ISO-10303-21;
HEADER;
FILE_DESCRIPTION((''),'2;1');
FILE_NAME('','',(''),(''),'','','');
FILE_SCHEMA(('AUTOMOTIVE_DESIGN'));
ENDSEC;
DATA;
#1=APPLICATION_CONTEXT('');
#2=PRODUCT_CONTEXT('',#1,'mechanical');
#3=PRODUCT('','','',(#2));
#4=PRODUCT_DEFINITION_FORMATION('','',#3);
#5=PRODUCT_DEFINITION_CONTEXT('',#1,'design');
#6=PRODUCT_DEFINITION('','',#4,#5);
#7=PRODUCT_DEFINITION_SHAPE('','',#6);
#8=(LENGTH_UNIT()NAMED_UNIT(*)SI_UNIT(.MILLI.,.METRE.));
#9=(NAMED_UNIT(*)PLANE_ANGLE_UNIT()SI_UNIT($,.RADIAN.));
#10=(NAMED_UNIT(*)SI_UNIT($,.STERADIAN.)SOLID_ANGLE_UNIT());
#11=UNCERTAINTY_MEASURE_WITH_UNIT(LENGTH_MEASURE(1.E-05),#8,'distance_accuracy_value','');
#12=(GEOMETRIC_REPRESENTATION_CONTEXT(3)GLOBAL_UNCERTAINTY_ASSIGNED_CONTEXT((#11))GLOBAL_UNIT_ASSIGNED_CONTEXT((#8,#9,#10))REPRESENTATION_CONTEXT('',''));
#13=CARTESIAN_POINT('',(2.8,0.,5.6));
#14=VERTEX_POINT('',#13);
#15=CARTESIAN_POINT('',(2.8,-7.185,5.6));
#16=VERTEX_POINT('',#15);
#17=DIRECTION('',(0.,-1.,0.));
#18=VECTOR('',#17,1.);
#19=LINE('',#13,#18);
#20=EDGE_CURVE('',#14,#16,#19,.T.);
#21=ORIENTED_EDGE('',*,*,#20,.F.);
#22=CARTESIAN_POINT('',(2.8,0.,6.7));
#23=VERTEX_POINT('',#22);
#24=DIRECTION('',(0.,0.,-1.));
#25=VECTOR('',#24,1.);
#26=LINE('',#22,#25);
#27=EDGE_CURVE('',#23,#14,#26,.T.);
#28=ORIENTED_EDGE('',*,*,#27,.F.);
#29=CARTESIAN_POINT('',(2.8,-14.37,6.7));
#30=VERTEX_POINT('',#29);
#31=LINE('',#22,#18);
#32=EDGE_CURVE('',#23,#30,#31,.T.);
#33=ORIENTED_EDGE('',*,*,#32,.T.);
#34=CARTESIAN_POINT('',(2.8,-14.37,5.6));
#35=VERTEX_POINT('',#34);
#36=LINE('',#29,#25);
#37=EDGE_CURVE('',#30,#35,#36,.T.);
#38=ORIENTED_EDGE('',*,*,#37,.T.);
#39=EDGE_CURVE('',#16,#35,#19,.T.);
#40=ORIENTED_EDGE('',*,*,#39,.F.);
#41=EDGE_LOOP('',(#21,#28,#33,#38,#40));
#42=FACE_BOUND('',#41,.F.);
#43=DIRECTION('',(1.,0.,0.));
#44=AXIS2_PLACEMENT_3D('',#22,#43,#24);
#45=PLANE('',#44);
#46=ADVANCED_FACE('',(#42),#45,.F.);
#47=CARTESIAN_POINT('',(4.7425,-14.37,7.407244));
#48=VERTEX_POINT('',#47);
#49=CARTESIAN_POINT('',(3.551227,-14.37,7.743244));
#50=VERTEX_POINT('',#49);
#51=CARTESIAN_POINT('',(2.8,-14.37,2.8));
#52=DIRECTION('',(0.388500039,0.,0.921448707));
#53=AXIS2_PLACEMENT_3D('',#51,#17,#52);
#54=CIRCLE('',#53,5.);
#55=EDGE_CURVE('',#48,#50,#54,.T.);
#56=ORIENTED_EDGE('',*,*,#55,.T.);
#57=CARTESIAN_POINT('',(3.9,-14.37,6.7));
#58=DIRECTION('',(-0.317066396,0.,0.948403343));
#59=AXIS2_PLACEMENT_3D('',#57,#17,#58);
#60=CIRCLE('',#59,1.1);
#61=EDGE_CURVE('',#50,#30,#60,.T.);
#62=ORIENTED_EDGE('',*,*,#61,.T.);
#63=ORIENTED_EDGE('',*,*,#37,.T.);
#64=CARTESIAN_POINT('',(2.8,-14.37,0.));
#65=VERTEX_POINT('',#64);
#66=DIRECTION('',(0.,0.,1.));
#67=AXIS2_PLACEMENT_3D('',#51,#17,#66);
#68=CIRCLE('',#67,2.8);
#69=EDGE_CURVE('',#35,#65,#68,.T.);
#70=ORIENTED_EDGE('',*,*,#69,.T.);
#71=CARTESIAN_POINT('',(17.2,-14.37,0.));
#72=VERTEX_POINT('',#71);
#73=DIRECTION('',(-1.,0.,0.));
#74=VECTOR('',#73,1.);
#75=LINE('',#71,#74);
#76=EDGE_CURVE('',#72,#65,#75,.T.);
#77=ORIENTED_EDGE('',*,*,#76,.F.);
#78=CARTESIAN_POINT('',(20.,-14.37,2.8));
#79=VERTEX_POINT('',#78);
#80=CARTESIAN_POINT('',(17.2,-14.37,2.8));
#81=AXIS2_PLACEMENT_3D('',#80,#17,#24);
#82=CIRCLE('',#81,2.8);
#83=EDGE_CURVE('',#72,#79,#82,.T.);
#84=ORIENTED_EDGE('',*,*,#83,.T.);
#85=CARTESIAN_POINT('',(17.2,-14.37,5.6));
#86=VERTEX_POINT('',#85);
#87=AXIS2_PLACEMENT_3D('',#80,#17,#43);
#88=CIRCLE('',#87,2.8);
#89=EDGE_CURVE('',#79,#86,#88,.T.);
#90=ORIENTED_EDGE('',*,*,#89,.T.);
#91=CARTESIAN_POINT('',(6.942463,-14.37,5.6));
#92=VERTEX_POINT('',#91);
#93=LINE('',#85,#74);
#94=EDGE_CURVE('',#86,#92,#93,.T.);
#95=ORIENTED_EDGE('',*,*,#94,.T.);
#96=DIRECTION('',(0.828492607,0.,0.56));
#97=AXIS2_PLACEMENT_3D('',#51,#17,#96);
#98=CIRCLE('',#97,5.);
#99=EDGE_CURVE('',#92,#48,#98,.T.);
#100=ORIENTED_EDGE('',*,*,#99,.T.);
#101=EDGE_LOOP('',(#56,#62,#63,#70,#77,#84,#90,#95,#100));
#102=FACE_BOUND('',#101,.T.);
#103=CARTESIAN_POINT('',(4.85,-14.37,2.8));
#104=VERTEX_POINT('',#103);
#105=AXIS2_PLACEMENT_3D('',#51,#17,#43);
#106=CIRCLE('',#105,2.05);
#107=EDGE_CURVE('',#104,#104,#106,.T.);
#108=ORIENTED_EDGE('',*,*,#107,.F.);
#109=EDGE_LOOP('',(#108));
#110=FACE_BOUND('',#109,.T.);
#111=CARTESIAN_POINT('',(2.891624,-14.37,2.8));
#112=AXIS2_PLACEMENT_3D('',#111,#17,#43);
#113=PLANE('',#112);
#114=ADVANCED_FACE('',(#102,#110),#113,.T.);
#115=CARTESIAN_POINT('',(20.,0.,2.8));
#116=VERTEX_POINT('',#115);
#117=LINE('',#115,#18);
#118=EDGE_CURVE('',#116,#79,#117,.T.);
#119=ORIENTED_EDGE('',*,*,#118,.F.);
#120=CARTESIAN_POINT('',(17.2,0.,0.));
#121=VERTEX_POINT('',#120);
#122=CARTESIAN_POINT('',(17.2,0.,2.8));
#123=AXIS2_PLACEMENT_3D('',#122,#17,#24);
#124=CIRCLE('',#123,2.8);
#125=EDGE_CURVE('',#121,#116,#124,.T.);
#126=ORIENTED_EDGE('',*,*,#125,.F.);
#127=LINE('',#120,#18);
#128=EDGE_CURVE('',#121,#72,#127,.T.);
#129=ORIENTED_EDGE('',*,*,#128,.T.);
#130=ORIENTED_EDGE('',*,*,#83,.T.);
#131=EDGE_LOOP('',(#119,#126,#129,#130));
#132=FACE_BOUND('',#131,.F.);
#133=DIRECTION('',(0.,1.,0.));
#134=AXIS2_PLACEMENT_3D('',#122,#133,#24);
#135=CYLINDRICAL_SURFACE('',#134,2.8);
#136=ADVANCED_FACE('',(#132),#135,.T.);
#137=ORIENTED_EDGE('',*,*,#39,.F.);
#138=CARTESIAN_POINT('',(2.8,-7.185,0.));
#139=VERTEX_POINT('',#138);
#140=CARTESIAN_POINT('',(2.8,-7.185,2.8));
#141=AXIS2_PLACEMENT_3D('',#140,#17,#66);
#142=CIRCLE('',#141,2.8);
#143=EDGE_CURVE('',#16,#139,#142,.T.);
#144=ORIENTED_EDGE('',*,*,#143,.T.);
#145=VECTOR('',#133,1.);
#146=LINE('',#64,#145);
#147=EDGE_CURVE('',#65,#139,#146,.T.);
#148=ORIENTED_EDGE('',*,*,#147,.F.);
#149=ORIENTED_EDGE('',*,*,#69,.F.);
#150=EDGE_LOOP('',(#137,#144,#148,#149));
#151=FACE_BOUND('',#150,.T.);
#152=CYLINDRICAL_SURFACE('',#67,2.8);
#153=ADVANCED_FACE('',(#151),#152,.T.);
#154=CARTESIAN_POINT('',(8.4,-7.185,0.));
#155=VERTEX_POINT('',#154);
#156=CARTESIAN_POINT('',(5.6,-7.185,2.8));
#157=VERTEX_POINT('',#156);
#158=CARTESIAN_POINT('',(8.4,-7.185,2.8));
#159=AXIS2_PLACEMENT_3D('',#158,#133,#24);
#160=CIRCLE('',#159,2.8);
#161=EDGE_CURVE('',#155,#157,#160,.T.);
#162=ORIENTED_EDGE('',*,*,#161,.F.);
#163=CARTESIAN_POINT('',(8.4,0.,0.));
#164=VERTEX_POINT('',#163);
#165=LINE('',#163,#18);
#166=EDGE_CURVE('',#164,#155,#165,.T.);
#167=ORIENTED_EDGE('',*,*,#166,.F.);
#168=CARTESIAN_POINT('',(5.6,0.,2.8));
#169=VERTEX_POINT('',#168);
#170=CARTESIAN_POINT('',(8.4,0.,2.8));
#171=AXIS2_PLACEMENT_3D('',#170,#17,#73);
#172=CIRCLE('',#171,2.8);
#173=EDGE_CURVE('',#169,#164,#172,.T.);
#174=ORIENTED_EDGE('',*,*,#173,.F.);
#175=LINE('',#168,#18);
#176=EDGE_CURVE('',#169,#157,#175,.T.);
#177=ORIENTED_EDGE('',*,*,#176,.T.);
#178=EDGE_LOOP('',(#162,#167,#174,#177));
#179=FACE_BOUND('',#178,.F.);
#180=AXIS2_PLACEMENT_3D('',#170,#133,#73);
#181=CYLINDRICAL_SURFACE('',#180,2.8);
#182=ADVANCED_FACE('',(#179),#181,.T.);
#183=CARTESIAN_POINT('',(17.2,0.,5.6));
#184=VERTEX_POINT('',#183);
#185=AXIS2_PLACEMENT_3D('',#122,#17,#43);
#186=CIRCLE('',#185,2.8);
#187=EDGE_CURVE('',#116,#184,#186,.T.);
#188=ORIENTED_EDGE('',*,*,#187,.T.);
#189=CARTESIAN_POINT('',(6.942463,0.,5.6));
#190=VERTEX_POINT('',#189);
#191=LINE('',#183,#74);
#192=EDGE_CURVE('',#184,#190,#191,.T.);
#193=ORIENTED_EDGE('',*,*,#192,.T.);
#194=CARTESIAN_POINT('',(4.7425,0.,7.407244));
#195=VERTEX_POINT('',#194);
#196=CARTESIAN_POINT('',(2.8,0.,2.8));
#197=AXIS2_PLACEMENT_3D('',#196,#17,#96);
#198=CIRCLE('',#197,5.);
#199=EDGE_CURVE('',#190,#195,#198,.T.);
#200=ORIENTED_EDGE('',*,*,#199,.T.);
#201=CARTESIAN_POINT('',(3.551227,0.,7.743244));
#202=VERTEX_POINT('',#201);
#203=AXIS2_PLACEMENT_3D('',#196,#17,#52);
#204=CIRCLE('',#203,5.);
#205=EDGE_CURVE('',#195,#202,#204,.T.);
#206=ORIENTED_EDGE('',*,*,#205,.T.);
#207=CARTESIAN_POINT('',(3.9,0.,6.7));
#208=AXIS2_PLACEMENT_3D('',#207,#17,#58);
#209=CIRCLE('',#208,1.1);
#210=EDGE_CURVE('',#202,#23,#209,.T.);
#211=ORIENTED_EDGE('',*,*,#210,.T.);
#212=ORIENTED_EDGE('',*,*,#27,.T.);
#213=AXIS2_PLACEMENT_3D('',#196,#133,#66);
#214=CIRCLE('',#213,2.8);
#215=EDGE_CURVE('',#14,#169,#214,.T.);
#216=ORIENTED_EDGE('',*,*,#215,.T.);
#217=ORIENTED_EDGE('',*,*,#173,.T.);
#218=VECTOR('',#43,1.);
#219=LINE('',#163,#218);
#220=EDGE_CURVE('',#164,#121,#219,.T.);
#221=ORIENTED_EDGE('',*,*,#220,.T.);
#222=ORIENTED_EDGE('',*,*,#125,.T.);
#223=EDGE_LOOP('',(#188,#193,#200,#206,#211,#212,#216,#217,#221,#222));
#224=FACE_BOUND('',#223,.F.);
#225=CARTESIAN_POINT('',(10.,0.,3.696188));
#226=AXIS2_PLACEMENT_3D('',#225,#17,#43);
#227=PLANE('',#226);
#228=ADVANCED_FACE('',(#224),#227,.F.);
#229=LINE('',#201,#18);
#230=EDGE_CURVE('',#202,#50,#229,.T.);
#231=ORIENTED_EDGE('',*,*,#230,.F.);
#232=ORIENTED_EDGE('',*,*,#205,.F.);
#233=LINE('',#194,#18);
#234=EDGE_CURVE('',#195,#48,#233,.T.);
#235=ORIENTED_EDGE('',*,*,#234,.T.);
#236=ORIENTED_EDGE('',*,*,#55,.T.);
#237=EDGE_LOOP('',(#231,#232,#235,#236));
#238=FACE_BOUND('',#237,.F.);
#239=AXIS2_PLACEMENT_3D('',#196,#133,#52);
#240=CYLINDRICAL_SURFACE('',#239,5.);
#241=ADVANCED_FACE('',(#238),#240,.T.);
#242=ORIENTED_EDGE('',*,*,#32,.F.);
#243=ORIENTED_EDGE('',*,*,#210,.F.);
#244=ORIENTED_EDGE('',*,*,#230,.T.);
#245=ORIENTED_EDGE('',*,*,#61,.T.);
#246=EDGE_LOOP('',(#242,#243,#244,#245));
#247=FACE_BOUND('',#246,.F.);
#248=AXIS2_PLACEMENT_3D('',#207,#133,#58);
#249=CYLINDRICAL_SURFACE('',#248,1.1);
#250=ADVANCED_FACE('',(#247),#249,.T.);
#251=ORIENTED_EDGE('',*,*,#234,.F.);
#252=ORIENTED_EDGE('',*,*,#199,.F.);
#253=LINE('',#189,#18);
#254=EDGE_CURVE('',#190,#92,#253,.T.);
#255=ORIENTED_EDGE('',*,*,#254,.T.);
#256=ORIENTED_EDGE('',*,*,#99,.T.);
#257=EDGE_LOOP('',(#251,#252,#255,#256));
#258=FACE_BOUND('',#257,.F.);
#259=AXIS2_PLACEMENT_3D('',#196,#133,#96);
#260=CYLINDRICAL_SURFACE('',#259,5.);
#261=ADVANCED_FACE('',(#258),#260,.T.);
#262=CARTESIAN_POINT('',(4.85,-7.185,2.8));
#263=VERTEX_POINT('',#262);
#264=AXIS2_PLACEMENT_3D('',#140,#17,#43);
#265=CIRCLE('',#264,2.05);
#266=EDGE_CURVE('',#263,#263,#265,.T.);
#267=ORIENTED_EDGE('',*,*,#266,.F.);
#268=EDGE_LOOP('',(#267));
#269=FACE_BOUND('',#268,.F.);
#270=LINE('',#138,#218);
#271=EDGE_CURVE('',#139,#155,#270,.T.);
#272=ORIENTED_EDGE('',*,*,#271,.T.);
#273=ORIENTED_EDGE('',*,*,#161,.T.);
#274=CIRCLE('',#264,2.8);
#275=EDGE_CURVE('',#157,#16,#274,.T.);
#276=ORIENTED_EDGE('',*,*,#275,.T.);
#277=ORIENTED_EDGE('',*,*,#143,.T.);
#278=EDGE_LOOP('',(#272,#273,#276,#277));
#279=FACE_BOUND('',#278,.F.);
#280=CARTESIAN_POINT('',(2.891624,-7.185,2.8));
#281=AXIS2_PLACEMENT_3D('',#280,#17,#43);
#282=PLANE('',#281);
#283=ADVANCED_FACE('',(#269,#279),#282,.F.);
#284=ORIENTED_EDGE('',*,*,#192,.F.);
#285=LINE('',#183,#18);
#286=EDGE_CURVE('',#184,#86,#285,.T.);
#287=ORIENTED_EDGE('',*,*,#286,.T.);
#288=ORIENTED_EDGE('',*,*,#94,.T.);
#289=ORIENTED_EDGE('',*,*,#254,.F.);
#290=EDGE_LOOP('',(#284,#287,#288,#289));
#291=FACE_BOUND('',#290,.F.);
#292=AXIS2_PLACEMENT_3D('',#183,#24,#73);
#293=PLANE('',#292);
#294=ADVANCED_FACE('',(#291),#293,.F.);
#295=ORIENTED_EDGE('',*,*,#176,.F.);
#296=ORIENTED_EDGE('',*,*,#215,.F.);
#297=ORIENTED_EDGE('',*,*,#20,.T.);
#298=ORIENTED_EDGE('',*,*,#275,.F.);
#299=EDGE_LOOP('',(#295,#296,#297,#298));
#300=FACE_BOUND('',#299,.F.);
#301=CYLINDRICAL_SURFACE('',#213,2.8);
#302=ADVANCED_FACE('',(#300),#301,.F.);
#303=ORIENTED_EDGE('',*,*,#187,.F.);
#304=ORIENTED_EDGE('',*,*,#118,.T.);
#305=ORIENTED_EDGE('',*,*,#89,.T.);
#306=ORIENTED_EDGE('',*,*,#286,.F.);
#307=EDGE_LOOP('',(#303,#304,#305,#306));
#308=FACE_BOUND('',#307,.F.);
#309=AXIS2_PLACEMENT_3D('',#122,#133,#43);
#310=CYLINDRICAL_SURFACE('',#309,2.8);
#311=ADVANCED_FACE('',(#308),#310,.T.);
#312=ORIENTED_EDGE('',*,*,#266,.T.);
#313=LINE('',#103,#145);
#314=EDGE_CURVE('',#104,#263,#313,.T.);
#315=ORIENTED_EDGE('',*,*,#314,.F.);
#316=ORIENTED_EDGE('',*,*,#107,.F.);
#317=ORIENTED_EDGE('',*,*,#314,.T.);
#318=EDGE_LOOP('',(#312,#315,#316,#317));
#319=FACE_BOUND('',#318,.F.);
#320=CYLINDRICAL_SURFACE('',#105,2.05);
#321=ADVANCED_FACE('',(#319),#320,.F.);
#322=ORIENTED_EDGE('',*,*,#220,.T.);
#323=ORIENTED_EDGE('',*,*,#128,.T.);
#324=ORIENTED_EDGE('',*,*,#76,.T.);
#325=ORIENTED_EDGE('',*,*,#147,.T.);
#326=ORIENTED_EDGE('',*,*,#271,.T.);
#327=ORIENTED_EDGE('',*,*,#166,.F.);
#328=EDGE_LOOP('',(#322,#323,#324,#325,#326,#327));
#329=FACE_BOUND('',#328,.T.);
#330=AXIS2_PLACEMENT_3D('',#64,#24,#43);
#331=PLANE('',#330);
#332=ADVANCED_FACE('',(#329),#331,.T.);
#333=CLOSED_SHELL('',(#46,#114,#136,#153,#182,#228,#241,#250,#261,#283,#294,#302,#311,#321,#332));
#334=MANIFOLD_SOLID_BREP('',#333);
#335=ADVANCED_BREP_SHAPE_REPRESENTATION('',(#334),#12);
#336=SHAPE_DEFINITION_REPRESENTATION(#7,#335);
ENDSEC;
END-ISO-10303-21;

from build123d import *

# Parameters (mm, degrees)
F1_DEPTH = 14.37
F2_R     = 2.05
F3_DEPTH = 7.185


with BuildPart() as f1:
    # F0 (on Front) → F1 (new body)
    with BuildSketch(Plane.XZ):
        with BuildLine():
            ThreePointArc((5.6, 2.8), (6.4201010127, 0.8201010127), (8.4, 0))
            Line((8.4, 0), (11.6, 0))
            ThreePointArc((11.6, 0), (13.5798989873, 0.8201010127), (14.4, 2.8))
            ThreePointArc((14.4, 2.8), (15.2201010127, 4.7798989873), (17.2, 5.6))
            Line((17.2, 5.6), (6.9424630354, 5.6))
            Line((6.9424630354, 5.6), (3.9000000021, 5.6))
            Line((3.9000000021, 5.6), (2.8, 5.6))
            ThreePointArc((2.8, 5.6), (4.7798989873, 4.7798989873), (5.6, 2.8))
        make_face()
        with BuildLine():
            ThreePointArc((14.4, 2.8), (15.2201010127, 0.8201010127), (17.2, 0))
            Line((17.2, 0), (17.2, 0.8))
            ThreePointArc((17.2, 0.8), (15.2, 2.8), (17.2, 4.8))
            Line((17.2, 4.8), (17.2, 5.6))
            ThreePointArc((17.2, 5.6), (15.2201010127, 4.7798989873), (14.4, 2.8))
        make_face()
        with BuildLine():
            ThreePointArc((17.2, 4.8), (15.2, 2.8), (17.2, 0.8))
            Line((17.2, 0.8), (17.2, 4.8))
        make_face()
        with BuildLine():
            ThreePointArc((14.4, 2.8), (13.5798989873, 0.8201010127), (11.6, 0))
            Line((11.6, 0), (17.2, 0))
            ThreePointArc((17.2, 0), (15.2201010127, 0.8201010127), (14.4, 2.8))
        make_face()
        with BuildLine():
            ThreePointArc((2.8, 6.7), (3.1221825414, 5.92218254), (3.9000000021, 5.6))
            ThreePointArc((3.9000000021, 5.6), (4.8969874345, 6.2352247258), (4.7425001981, 7.4072435339))
            ThreePointArc((4.7425001981, 7.4072435339), (4.1573008251, 7.6122483799), (3.5512269639, 7.7432436768))
            ThreePointArc((3.5512269639, 7.7432436768), (3.0073493573, 7.3427867688), (2.8, 6.7))
        make_face()
        with BuildLine():
            ThreePointArc((4.7425001981, 7.4072435339), (4.8969874345, 6.2352247258), (3.9000000021, 5.6))
            Line((3.9000000021, 5.6), (6.9424630354, 5.6))
            ThreePointArc((6.9424630354, 5.6), (5.9738346973, 6.6635182559), (4.7425001981, 7.4072435339))
        make_face()
        with BuildLine():
            Line((2.8, 6.7), (2.8, 5.6))
            Line((2.8, 5.6), (3.9000000021, 5.6))
            ThreePointArc((3.9000000021, 5.6), (3.1221825414, 5.92218254), (2.8, 6.7))
        make_face()
        with BuildLine():
            Line((17.2, 0.8), (17.2, 0))
            ThreePointArc((17.2, 0), (19.1798989873, 0.8201010127), (20, 2.8))
            ThreePointArc((20, 2.8), (19.1798989873, 4.7798989873), (17.2, 5.6))
            Line((17.2, 5.6), (17.2, 4.8))
            Line((17.2, 4.8), (17.2, 0.8))
        make_face()
    extrude(amount=F1_DEPTH)

    # F2 (on face) → F3 (join)
    with BuildSketch(Plane.XZ.offset(14.37)):
        with BuildLine():
            ThreePointArc((2.8, 0), (4.7798989873, 0.8201010127), (5.6, 2.8))
            ThreePointArc((5.6, 2.8), (4.7798989873, 4.7798989873), (2.8, 5.6))
            ThreePointArc((2.8, 5.6), (0, 2.8), (2.8, 0))
        make_face()
        with Locations((2.8, 2.8)):
            Circle(F2_R, mode=Mode.SUBTRACT)
        with BuildLine():
            ThreePointArc((8.4, 0), (6.4201010127, 0.8201010127), (5.6, 2.8))
            ThreePointArc((5.6, 2.8), (4.7798989873, 0.8201010127), (2.8, 0))
            Line((2.8, 0), (8.4, 0))
        make_face()
    extrude(amount=-F3_DEPTH)


solid = f1.part
